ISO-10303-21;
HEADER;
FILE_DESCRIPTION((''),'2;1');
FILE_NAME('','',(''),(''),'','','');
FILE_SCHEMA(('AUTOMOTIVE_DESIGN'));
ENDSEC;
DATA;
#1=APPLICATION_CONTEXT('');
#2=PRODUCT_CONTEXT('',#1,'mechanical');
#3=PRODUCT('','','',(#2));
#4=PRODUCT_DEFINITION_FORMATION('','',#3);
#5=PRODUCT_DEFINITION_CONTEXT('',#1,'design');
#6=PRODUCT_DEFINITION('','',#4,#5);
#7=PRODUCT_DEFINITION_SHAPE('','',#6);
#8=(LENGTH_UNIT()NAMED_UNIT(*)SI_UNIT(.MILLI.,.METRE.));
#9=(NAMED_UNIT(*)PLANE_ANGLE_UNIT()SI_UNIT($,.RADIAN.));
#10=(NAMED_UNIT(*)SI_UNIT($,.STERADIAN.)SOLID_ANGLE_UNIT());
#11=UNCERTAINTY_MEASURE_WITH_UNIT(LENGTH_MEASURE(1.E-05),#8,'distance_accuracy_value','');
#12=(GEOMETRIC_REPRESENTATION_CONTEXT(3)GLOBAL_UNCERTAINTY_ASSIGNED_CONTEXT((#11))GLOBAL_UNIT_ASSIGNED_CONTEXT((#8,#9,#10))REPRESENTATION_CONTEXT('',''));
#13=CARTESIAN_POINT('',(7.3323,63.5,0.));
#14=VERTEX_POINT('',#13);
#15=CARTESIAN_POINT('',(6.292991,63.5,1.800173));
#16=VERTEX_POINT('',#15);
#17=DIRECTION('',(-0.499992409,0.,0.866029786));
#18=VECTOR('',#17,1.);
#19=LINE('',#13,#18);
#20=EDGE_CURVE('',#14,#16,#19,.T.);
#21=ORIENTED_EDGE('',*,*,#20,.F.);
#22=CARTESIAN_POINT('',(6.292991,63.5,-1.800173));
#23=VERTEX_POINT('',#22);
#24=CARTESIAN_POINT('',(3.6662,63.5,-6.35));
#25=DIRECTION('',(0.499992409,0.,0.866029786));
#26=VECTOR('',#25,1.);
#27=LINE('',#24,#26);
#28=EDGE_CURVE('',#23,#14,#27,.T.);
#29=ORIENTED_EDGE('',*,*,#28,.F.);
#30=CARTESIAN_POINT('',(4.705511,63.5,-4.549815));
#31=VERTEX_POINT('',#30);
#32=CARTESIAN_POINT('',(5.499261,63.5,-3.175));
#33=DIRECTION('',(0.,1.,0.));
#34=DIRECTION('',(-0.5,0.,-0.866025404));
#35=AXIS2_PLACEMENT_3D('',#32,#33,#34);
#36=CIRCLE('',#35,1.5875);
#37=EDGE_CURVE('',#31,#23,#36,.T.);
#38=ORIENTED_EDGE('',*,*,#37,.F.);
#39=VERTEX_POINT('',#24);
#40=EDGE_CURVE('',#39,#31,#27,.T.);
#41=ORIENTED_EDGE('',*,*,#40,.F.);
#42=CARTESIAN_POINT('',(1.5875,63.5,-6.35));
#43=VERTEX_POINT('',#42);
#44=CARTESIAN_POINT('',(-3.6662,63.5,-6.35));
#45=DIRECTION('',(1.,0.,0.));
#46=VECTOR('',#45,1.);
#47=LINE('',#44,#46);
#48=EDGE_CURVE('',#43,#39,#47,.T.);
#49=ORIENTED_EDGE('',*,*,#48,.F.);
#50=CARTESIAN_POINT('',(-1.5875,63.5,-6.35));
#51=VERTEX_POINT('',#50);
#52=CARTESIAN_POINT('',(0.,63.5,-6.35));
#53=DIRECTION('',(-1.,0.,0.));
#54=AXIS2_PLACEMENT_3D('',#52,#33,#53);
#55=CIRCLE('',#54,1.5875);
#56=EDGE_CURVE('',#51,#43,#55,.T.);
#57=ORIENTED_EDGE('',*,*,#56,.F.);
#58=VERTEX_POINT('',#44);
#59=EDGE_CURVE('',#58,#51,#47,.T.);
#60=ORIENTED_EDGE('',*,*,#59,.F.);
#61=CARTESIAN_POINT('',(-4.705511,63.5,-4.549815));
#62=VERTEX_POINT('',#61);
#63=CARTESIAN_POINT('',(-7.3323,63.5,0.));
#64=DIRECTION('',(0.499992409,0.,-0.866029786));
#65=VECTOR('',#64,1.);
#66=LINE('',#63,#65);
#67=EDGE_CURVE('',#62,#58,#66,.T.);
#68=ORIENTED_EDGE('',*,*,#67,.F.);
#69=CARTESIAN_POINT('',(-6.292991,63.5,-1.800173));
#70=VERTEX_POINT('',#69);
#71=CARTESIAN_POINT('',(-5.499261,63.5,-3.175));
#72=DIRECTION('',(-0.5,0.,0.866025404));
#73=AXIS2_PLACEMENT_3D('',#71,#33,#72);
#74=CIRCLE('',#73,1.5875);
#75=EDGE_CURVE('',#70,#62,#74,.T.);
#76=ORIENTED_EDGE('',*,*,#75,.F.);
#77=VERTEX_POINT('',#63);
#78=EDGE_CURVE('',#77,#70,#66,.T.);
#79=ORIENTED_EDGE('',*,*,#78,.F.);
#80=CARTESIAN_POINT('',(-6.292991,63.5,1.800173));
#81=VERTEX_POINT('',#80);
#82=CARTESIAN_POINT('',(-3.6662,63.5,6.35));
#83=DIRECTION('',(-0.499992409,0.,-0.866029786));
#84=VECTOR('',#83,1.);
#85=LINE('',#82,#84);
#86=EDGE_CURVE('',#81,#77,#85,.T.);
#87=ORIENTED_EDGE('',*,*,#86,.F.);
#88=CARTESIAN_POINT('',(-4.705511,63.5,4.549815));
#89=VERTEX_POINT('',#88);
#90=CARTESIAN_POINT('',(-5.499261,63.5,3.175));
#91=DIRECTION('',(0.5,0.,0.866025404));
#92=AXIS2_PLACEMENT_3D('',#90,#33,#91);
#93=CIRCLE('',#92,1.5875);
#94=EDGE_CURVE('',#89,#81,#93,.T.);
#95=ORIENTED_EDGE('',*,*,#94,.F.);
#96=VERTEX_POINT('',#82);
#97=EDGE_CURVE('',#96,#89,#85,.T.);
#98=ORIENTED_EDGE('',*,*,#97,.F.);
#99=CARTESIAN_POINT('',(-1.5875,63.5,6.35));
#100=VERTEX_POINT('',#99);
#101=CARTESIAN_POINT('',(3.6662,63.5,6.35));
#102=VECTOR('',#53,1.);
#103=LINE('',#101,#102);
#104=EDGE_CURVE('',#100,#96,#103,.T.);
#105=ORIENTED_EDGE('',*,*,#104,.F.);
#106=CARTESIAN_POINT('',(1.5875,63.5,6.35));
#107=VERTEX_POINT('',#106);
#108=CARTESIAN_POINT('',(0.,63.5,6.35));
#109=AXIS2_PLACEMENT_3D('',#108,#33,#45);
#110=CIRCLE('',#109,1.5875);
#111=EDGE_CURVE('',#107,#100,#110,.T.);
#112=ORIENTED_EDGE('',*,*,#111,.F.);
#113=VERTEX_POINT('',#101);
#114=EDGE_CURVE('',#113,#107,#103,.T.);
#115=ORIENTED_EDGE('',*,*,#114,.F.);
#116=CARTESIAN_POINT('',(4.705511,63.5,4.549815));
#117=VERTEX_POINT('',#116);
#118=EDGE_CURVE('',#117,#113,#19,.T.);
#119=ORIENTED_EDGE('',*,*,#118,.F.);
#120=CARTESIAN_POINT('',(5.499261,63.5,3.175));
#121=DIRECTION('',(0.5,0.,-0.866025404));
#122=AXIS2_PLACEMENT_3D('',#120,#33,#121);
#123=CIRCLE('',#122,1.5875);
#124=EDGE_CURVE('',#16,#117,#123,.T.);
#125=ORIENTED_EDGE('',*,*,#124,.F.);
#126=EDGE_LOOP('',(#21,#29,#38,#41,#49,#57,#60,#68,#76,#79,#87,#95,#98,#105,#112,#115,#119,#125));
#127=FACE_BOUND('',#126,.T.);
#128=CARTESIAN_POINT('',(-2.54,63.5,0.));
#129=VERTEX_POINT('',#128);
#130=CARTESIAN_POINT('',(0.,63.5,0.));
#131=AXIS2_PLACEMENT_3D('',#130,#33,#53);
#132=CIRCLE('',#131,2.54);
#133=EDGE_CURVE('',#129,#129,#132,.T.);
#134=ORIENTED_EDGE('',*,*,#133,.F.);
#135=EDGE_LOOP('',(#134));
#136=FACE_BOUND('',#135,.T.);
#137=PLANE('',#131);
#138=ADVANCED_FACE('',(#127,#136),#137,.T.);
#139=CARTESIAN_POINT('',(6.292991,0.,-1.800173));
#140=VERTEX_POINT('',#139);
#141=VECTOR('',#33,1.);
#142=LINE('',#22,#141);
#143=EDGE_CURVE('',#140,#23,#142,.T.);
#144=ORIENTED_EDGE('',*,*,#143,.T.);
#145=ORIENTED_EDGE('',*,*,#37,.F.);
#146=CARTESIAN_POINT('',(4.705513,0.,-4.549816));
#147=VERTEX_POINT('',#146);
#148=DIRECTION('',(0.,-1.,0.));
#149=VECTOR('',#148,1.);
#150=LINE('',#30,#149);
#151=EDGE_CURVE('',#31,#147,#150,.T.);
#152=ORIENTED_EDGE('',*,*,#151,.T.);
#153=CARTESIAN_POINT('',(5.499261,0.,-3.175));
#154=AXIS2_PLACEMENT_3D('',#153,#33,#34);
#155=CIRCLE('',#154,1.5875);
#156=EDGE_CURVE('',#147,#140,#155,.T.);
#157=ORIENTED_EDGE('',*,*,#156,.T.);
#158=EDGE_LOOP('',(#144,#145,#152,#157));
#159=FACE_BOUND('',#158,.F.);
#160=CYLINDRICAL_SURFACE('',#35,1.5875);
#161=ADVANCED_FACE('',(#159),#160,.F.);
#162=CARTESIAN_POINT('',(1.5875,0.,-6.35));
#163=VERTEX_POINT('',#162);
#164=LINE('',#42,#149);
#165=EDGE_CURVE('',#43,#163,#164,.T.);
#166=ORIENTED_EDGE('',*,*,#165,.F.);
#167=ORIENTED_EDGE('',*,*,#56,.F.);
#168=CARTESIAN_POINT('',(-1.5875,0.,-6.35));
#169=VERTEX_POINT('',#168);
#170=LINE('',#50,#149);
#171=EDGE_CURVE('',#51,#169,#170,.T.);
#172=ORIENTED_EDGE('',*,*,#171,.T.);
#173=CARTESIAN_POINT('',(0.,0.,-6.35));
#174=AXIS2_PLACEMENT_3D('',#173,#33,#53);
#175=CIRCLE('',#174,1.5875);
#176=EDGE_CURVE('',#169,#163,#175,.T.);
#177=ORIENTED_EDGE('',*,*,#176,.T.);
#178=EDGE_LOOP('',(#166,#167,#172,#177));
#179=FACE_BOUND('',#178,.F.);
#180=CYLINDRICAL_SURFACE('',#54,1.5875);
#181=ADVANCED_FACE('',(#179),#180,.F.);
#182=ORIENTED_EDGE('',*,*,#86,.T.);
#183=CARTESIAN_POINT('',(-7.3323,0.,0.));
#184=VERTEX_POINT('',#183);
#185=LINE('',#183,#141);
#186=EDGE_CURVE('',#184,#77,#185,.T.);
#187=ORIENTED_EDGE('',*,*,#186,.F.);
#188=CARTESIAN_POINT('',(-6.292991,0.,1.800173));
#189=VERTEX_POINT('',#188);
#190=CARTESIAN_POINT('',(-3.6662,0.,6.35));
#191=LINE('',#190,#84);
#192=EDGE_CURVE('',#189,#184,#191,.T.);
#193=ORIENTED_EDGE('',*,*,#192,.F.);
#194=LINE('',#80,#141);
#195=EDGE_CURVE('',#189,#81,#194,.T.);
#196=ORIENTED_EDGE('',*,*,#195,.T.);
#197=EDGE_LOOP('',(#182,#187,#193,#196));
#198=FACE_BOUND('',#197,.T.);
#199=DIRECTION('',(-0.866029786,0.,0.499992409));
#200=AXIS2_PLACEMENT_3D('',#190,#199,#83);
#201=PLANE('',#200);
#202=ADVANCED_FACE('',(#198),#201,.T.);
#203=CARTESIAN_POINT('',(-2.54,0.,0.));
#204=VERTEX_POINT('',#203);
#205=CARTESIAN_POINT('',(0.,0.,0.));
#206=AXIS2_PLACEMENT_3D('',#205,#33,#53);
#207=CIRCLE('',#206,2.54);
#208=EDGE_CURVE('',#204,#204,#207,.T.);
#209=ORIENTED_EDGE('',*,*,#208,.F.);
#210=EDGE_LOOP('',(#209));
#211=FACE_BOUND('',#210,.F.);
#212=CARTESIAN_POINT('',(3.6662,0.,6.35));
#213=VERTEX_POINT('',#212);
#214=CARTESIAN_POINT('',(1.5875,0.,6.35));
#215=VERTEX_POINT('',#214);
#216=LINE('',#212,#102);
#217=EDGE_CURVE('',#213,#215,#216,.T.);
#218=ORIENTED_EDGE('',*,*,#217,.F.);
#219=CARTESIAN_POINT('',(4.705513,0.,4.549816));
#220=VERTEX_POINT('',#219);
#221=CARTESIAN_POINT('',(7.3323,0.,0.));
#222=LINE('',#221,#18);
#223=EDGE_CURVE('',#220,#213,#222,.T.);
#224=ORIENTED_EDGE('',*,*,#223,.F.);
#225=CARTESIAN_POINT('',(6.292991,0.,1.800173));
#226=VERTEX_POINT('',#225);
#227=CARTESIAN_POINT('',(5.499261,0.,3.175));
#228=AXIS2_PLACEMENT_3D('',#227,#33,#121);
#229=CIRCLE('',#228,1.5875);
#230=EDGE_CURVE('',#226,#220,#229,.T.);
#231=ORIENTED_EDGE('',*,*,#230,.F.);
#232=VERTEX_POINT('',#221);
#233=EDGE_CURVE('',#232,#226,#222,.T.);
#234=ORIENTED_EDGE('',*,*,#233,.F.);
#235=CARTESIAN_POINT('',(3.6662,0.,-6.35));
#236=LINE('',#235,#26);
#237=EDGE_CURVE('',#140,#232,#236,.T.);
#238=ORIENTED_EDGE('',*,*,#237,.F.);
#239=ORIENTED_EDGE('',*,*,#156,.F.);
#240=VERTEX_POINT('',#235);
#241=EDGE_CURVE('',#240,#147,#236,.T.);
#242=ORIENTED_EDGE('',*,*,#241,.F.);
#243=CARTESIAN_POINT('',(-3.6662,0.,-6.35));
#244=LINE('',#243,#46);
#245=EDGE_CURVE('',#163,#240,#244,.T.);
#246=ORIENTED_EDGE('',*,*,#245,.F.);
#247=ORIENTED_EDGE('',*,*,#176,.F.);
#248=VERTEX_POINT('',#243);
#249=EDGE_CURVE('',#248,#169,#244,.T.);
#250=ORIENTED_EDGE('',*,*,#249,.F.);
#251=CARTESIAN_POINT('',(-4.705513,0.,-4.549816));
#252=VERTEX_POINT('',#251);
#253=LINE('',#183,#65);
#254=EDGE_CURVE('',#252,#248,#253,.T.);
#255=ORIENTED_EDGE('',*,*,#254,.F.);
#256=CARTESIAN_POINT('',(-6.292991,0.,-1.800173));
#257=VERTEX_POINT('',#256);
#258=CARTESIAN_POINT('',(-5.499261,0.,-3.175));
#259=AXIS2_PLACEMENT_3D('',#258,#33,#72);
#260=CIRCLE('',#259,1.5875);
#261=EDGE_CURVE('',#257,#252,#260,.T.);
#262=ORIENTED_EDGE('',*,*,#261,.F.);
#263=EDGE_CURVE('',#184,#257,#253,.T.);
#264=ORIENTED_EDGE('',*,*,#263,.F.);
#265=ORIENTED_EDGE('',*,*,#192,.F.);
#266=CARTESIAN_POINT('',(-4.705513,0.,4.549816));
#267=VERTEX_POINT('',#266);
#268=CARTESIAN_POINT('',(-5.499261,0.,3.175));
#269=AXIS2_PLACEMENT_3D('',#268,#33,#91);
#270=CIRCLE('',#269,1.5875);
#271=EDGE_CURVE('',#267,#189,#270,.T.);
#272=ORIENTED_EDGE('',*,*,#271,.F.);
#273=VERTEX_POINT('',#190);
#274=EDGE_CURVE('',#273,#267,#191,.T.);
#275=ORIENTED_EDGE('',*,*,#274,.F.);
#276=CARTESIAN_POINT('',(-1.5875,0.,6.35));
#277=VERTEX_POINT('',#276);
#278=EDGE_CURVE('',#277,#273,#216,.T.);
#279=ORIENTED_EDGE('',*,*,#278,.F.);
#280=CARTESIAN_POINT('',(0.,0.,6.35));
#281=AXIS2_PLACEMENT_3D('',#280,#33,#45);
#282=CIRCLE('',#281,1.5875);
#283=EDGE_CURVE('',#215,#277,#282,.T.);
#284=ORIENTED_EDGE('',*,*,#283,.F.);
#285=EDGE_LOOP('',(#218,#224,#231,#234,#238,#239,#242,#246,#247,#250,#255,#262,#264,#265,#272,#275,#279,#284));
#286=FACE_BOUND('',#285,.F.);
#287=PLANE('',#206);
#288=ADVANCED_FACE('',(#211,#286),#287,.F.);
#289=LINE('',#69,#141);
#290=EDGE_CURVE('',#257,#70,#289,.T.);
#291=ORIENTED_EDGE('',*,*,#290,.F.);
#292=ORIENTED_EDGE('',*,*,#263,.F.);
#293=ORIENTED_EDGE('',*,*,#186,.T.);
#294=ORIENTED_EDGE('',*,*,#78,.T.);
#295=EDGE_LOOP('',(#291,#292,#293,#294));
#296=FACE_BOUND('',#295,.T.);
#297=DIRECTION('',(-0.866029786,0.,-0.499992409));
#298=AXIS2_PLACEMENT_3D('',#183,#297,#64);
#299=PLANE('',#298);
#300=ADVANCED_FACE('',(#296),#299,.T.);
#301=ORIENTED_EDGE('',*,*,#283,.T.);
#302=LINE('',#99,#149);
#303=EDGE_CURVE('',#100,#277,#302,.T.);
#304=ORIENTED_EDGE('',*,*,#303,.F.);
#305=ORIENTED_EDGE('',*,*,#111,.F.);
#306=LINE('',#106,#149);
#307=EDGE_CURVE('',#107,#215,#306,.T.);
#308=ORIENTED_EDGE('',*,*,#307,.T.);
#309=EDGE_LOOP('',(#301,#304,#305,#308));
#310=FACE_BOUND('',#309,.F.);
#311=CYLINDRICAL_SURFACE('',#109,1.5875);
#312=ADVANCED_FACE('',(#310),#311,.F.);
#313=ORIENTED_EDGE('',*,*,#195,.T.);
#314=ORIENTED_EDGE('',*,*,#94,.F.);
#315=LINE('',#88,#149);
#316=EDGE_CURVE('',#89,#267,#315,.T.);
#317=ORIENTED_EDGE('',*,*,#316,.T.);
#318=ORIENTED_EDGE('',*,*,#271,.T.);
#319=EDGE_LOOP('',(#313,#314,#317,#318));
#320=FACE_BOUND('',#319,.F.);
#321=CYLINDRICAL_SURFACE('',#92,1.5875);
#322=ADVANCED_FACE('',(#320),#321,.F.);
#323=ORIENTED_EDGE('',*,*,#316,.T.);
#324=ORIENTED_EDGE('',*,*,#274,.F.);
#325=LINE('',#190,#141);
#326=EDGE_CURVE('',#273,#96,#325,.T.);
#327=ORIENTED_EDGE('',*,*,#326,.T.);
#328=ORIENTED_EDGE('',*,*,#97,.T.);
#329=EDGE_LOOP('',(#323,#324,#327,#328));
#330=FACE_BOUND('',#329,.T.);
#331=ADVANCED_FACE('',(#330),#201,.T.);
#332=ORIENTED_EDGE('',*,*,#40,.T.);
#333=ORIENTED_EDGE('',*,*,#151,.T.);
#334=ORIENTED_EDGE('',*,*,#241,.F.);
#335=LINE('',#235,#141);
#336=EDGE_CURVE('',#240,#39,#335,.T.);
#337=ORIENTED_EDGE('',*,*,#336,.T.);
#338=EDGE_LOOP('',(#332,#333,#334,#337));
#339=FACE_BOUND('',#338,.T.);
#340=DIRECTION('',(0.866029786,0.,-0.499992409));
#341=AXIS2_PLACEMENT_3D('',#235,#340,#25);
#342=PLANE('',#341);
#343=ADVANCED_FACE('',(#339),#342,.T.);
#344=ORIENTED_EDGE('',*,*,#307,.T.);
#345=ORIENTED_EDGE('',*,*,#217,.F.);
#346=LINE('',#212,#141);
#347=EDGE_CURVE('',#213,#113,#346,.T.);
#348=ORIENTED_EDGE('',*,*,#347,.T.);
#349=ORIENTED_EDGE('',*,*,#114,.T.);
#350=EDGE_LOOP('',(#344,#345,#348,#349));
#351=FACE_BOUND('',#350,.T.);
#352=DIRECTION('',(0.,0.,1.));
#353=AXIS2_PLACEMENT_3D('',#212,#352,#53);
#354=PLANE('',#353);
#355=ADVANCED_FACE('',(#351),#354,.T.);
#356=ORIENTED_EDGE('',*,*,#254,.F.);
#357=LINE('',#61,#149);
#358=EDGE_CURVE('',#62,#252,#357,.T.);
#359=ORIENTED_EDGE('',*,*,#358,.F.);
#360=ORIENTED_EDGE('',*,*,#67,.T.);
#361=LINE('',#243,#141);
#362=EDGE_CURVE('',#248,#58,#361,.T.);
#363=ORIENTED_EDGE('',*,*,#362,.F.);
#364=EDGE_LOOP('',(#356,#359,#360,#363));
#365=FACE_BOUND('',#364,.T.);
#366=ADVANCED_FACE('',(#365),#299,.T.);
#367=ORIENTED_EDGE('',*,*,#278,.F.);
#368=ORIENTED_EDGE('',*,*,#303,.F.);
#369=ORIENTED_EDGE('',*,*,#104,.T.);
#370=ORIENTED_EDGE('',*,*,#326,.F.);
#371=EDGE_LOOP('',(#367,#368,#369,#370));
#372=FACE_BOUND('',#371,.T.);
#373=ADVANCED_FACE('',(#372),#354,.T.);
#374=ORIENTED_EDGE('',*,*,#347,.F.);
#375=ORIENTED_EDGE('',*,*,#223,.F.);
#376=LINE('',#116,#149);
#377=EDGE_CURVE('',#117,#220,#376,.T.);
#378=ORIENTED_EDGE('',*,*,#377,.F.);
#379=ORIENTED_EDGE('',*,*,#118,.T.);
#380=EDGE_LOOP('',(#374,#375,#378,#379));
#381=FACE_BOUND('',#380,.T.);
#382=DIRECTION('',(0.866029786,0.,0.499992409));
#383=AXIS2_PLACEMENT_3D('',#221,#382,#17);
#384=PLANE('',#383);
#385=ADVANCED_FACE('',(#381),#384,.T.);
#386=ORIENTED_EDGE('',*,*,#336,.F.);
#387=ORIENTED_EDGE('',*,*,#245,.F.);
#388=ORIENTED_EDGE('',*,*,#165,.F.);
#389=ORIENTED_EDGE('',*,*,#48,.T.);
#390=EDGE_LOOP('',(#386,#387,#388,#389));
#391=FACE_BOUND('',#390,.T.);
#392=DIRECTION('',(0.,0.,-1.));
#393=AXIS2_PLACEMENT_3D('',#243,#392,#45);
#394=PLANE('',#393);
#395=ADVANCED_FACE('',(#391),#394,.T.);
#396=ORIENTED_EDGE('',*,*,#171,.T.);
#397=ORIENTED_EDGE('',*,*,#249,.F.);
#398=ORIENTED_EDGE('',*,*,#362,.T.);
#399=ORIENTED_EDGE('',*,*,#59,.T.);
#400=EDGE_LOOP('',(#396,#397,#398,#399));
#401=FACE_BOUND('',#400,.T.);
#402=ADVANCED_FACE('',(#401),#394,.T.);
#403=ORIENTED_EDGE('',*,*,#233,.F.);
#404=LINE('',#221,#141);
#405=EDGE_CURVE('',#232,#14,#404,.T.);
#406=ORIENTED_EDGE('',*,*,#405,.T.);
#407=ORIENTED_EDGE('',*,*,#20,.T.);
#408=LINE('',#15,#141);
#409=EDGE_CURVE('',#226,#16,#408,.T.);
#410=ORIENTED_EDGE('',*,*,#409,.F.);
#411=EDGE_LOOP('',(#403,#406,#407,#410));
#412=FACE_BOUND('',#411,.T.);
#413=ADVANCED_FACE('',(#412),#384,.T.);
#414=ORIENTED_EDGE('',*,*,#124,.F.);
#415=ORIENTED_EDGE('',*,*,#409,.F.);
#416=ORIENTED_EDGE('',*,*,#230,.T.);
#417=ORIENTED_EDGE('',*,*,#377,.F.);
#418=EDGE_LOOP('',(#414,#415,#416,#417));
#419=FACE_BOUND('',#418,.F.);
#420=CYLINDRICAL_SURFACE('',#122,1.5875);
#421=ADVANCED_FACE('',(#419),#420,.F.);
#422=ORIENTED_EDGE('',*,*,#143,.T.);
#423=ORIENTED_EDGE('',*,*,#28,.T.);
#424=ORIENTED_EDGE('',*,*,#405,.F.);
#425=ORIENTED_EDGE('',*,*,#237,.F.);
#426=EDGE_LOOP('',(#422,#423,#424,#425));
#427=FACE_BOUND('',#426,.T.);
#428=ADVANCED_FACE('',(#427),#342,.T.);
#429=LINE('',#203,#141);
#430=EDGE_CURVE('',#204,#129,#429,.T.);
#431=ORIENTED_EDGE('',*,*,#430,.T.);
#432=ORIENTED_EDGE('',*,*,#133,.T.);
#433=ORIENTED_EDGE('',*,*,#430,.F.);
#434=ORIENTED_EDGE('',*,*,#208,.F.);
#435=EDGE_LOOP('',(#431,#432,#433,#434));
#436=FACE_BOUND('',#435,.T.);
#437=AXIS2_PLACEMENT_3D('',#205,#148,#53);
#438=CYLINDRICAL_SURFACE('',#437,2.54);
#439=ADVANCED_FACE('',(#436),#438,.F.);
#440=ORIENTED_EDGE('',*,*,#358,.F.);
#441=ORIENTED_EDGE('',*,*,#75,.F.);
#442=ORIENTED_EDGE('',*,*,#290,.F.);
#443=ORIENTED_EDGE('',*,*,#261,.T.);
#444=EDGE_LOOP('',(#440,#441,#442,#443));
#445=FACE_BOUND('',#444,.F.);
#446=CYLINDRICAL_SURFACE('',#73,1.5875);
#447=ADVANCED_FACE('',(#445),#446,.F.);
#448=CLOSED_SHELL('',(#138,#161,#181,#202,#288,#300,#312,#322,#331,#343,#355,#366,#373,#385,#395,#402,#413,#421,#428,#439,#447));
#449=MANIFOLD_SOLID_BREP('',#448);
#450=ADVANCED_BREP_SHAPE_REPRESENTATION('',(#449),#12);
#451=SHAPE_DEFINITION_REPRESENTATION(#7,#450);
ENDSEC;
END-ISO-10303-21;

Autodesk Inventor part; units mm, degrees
ref_plane "YZ Plane" through (0, 0, 0) normal (1, 0, 0) x (0, 1, 0)
ref_plane "XZ Plane" through (0, 0, 0) normal (0, 1, 0) x (-1, 0, 0)
ref_plane "XY Plane" through (0, 0, 0) normal (0, 0, 1) x (1, 0, 0)
sketch "Sketch1" plane through (0, 0, 0) normal (0, 1, 0) x (-1, 0, 0)
  line L0 (-3.6662, 6.35) -> (3.6662, 6.35)
  line L1 (3.6662, 6.35) -> (7.3323, 0)
  line L2 (7.3323, 0) -> (3.6662, -6.35)
  line L3 (3.6662, -6.35) -> (-3.6662, -6.35)
  line L4 (-3.6662, -6.35) -> (-7.3323, 0)
  line L5 (-7.3323, 0) -> (-3.6662, 6.35)
  circle A0 centre (0, 0) radius 2.54
  dimension "d0" = 12.7
  dimension "d1" = 5.08
extrude "Extrusion1" add sketch "Sketch1" along normal blind 63.5
sketch "Sketch2" plane through (0, 63.5, 0) normal (0, 1, 0) x (1, 0, 0)
  line L0 (-3.6662, 6.35) -> (3.6662, 6.35) projected
  arc A0 (-1.5875, 6.35) -> (1.5875, 6.35) centre (0, 6.35) ccw
  line L1 (-1.5875, 6.35) -> (1.5875, 6.35)
  dimension "d4" = 1.5875
extrude "Extrusion2" cut sketch "Sketch2" against normal through all
pattern_circular "Circular Pattern1" count 6 over 360 about axis through (0, 0, 0) along (0, 1, 0) of "Extrusion2"
properties part number "UpperPlateStandoff" material "Aluminum-6061"
